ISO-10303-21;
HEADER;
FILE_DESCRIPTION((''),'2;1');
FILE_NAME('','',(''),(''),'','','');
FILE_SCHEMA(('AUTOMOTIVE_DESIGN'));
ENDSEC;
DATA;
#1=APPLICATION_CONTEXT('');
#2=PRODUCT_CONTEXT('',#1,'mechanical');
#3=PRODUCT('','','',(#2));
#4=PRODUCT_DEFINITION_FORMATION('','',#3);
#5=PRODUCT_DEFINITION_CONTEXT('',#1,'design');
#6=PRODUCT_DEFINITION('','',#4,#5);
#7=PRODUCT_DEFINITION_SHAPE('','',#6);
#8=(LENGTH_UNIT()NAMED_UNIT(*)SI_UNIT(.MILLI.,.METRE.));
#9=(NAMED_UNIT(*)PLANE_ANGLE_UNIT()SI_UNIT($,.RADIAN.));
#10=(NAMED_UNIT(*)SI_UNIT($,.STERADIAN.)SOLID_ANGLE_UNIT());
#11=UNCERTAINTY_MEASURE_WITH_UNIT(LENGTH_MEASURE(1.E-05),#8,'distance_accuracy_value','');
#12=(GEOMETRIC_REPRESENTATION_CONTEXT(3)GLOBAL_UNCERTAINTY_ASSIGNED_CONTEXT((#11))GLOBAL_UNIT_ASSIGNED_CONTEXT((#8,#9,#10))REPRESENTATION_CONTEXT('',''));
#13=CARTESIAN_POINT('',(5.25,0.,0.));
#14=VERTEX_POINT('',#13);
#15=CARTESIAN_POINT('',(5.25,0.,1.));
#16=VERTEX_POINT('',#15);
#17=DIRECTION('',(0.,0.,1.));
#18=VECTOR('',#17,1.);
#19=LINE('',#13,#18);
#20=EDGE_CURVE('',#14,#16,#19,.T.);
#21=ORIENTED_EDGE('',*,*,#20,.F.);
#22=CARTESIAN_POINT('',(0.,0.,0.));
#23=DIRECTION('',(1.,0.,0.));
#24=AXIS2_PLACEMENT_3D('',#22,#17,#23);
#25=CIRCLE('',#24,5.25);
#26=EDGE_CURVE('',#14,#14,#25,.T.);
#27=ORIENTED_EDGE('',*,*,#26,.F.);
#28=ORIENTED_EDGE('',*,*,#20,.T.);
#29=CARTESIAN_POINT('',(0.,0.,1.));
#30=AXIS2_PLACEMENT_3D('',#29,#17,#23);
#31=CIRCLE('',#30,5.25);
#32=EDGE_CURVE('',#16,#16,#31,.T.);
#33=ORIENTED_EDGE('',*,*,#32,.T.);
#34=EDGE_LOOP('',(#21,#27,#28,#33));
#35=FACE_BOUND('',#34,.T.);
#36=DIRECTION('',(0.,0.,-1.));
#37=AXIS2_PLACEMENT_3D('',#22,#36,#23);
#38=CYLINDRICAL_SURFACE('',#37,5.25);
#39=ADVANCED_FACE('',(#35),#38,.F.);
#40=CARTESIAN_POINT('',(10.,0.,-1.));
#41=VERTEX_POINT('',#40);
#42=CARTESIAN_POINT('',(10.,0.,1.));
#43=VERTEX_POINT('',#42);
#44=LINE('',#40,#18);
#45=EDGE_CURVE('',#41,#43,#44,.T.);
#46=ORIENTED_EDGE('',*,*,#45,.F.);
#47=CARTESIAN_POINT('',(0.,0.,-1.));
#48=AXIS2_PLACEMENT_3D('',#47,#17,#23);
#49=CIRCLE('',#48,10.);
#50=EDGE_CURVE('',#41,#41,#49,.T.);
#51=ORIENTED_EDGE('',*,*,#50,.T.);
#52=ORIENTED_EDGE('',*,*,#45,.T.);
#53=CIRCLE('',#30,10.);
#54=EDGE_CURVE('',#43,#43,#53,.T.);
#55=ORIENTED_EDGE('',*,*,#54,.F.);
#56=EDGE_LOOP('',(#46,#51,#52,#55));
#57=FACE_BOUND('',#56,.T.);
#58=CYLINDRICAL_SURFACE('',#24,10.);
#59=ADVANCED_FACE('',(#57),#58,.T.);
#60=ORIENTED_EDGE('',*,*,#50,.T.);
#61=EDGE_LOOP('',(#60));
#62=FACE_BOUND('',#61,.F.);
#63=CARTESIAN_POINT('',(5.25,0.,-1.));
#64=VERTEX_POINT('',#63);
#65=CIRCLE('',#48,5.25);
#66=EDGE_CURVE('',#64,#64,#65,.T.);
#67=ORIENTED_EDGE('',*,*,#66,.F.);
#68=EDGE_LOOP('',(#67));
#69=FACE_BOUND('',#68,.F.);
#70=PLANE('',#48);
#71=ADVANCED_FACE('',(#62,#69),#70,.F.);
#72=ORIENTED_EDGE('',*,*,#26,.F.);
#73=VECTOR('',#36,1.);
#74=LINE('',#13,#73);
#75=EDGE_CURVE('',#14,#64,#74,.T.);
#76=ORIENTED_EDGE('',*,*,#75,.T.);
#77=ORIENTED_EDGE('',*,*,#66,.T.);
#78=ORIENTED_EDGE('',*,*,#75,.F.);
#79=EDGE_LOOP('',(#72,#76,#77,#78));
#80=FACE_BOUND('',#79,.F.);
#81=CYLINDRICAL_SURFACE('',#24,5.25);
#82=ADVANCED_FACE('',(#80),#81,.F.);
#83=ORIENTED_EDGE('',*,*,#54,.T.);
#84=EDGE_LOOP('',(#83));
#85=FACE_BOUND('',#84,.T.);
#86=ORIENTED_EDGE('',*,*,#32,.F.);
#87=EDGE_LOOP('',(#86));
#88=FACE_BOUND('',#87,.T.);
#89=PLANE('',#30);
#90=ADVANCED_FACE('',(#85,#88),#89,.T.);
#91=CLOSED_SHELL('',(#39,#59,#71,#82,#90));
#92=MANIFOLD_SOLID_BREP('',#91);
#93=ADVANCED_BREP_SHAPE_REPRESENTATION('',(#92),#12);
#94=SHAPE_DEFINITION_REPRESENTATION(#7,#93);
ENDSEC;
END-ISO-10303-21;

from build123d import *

# Parameters (mm, degrees)
SKETCH3_R                = 10
SKETCH3_R_2              = 5.25
BOSS_EXTRUDE1_DEPTH      = 1
BOSS_EXTRUDE1_DEPTH_BACK = 1


with BuildPart() as part:
    # Sketch3 → Boss-Extrude1 (new body, two sides)
    with BuildSketch(Plane.XY) as boss_extrude1_sk:
        Circle(SKETCH3_R)
        Circle(SKETCH3_R_2, mode=Mode.SUBTRACT)
    extrude(amount=BOSS_EXTRUDE1_DEPTH)
    extrude(boss_extrude1_sk.sketch, amount=-BOSS_EXTRUDE1_DEPTH_BACK)


solid = part.part
